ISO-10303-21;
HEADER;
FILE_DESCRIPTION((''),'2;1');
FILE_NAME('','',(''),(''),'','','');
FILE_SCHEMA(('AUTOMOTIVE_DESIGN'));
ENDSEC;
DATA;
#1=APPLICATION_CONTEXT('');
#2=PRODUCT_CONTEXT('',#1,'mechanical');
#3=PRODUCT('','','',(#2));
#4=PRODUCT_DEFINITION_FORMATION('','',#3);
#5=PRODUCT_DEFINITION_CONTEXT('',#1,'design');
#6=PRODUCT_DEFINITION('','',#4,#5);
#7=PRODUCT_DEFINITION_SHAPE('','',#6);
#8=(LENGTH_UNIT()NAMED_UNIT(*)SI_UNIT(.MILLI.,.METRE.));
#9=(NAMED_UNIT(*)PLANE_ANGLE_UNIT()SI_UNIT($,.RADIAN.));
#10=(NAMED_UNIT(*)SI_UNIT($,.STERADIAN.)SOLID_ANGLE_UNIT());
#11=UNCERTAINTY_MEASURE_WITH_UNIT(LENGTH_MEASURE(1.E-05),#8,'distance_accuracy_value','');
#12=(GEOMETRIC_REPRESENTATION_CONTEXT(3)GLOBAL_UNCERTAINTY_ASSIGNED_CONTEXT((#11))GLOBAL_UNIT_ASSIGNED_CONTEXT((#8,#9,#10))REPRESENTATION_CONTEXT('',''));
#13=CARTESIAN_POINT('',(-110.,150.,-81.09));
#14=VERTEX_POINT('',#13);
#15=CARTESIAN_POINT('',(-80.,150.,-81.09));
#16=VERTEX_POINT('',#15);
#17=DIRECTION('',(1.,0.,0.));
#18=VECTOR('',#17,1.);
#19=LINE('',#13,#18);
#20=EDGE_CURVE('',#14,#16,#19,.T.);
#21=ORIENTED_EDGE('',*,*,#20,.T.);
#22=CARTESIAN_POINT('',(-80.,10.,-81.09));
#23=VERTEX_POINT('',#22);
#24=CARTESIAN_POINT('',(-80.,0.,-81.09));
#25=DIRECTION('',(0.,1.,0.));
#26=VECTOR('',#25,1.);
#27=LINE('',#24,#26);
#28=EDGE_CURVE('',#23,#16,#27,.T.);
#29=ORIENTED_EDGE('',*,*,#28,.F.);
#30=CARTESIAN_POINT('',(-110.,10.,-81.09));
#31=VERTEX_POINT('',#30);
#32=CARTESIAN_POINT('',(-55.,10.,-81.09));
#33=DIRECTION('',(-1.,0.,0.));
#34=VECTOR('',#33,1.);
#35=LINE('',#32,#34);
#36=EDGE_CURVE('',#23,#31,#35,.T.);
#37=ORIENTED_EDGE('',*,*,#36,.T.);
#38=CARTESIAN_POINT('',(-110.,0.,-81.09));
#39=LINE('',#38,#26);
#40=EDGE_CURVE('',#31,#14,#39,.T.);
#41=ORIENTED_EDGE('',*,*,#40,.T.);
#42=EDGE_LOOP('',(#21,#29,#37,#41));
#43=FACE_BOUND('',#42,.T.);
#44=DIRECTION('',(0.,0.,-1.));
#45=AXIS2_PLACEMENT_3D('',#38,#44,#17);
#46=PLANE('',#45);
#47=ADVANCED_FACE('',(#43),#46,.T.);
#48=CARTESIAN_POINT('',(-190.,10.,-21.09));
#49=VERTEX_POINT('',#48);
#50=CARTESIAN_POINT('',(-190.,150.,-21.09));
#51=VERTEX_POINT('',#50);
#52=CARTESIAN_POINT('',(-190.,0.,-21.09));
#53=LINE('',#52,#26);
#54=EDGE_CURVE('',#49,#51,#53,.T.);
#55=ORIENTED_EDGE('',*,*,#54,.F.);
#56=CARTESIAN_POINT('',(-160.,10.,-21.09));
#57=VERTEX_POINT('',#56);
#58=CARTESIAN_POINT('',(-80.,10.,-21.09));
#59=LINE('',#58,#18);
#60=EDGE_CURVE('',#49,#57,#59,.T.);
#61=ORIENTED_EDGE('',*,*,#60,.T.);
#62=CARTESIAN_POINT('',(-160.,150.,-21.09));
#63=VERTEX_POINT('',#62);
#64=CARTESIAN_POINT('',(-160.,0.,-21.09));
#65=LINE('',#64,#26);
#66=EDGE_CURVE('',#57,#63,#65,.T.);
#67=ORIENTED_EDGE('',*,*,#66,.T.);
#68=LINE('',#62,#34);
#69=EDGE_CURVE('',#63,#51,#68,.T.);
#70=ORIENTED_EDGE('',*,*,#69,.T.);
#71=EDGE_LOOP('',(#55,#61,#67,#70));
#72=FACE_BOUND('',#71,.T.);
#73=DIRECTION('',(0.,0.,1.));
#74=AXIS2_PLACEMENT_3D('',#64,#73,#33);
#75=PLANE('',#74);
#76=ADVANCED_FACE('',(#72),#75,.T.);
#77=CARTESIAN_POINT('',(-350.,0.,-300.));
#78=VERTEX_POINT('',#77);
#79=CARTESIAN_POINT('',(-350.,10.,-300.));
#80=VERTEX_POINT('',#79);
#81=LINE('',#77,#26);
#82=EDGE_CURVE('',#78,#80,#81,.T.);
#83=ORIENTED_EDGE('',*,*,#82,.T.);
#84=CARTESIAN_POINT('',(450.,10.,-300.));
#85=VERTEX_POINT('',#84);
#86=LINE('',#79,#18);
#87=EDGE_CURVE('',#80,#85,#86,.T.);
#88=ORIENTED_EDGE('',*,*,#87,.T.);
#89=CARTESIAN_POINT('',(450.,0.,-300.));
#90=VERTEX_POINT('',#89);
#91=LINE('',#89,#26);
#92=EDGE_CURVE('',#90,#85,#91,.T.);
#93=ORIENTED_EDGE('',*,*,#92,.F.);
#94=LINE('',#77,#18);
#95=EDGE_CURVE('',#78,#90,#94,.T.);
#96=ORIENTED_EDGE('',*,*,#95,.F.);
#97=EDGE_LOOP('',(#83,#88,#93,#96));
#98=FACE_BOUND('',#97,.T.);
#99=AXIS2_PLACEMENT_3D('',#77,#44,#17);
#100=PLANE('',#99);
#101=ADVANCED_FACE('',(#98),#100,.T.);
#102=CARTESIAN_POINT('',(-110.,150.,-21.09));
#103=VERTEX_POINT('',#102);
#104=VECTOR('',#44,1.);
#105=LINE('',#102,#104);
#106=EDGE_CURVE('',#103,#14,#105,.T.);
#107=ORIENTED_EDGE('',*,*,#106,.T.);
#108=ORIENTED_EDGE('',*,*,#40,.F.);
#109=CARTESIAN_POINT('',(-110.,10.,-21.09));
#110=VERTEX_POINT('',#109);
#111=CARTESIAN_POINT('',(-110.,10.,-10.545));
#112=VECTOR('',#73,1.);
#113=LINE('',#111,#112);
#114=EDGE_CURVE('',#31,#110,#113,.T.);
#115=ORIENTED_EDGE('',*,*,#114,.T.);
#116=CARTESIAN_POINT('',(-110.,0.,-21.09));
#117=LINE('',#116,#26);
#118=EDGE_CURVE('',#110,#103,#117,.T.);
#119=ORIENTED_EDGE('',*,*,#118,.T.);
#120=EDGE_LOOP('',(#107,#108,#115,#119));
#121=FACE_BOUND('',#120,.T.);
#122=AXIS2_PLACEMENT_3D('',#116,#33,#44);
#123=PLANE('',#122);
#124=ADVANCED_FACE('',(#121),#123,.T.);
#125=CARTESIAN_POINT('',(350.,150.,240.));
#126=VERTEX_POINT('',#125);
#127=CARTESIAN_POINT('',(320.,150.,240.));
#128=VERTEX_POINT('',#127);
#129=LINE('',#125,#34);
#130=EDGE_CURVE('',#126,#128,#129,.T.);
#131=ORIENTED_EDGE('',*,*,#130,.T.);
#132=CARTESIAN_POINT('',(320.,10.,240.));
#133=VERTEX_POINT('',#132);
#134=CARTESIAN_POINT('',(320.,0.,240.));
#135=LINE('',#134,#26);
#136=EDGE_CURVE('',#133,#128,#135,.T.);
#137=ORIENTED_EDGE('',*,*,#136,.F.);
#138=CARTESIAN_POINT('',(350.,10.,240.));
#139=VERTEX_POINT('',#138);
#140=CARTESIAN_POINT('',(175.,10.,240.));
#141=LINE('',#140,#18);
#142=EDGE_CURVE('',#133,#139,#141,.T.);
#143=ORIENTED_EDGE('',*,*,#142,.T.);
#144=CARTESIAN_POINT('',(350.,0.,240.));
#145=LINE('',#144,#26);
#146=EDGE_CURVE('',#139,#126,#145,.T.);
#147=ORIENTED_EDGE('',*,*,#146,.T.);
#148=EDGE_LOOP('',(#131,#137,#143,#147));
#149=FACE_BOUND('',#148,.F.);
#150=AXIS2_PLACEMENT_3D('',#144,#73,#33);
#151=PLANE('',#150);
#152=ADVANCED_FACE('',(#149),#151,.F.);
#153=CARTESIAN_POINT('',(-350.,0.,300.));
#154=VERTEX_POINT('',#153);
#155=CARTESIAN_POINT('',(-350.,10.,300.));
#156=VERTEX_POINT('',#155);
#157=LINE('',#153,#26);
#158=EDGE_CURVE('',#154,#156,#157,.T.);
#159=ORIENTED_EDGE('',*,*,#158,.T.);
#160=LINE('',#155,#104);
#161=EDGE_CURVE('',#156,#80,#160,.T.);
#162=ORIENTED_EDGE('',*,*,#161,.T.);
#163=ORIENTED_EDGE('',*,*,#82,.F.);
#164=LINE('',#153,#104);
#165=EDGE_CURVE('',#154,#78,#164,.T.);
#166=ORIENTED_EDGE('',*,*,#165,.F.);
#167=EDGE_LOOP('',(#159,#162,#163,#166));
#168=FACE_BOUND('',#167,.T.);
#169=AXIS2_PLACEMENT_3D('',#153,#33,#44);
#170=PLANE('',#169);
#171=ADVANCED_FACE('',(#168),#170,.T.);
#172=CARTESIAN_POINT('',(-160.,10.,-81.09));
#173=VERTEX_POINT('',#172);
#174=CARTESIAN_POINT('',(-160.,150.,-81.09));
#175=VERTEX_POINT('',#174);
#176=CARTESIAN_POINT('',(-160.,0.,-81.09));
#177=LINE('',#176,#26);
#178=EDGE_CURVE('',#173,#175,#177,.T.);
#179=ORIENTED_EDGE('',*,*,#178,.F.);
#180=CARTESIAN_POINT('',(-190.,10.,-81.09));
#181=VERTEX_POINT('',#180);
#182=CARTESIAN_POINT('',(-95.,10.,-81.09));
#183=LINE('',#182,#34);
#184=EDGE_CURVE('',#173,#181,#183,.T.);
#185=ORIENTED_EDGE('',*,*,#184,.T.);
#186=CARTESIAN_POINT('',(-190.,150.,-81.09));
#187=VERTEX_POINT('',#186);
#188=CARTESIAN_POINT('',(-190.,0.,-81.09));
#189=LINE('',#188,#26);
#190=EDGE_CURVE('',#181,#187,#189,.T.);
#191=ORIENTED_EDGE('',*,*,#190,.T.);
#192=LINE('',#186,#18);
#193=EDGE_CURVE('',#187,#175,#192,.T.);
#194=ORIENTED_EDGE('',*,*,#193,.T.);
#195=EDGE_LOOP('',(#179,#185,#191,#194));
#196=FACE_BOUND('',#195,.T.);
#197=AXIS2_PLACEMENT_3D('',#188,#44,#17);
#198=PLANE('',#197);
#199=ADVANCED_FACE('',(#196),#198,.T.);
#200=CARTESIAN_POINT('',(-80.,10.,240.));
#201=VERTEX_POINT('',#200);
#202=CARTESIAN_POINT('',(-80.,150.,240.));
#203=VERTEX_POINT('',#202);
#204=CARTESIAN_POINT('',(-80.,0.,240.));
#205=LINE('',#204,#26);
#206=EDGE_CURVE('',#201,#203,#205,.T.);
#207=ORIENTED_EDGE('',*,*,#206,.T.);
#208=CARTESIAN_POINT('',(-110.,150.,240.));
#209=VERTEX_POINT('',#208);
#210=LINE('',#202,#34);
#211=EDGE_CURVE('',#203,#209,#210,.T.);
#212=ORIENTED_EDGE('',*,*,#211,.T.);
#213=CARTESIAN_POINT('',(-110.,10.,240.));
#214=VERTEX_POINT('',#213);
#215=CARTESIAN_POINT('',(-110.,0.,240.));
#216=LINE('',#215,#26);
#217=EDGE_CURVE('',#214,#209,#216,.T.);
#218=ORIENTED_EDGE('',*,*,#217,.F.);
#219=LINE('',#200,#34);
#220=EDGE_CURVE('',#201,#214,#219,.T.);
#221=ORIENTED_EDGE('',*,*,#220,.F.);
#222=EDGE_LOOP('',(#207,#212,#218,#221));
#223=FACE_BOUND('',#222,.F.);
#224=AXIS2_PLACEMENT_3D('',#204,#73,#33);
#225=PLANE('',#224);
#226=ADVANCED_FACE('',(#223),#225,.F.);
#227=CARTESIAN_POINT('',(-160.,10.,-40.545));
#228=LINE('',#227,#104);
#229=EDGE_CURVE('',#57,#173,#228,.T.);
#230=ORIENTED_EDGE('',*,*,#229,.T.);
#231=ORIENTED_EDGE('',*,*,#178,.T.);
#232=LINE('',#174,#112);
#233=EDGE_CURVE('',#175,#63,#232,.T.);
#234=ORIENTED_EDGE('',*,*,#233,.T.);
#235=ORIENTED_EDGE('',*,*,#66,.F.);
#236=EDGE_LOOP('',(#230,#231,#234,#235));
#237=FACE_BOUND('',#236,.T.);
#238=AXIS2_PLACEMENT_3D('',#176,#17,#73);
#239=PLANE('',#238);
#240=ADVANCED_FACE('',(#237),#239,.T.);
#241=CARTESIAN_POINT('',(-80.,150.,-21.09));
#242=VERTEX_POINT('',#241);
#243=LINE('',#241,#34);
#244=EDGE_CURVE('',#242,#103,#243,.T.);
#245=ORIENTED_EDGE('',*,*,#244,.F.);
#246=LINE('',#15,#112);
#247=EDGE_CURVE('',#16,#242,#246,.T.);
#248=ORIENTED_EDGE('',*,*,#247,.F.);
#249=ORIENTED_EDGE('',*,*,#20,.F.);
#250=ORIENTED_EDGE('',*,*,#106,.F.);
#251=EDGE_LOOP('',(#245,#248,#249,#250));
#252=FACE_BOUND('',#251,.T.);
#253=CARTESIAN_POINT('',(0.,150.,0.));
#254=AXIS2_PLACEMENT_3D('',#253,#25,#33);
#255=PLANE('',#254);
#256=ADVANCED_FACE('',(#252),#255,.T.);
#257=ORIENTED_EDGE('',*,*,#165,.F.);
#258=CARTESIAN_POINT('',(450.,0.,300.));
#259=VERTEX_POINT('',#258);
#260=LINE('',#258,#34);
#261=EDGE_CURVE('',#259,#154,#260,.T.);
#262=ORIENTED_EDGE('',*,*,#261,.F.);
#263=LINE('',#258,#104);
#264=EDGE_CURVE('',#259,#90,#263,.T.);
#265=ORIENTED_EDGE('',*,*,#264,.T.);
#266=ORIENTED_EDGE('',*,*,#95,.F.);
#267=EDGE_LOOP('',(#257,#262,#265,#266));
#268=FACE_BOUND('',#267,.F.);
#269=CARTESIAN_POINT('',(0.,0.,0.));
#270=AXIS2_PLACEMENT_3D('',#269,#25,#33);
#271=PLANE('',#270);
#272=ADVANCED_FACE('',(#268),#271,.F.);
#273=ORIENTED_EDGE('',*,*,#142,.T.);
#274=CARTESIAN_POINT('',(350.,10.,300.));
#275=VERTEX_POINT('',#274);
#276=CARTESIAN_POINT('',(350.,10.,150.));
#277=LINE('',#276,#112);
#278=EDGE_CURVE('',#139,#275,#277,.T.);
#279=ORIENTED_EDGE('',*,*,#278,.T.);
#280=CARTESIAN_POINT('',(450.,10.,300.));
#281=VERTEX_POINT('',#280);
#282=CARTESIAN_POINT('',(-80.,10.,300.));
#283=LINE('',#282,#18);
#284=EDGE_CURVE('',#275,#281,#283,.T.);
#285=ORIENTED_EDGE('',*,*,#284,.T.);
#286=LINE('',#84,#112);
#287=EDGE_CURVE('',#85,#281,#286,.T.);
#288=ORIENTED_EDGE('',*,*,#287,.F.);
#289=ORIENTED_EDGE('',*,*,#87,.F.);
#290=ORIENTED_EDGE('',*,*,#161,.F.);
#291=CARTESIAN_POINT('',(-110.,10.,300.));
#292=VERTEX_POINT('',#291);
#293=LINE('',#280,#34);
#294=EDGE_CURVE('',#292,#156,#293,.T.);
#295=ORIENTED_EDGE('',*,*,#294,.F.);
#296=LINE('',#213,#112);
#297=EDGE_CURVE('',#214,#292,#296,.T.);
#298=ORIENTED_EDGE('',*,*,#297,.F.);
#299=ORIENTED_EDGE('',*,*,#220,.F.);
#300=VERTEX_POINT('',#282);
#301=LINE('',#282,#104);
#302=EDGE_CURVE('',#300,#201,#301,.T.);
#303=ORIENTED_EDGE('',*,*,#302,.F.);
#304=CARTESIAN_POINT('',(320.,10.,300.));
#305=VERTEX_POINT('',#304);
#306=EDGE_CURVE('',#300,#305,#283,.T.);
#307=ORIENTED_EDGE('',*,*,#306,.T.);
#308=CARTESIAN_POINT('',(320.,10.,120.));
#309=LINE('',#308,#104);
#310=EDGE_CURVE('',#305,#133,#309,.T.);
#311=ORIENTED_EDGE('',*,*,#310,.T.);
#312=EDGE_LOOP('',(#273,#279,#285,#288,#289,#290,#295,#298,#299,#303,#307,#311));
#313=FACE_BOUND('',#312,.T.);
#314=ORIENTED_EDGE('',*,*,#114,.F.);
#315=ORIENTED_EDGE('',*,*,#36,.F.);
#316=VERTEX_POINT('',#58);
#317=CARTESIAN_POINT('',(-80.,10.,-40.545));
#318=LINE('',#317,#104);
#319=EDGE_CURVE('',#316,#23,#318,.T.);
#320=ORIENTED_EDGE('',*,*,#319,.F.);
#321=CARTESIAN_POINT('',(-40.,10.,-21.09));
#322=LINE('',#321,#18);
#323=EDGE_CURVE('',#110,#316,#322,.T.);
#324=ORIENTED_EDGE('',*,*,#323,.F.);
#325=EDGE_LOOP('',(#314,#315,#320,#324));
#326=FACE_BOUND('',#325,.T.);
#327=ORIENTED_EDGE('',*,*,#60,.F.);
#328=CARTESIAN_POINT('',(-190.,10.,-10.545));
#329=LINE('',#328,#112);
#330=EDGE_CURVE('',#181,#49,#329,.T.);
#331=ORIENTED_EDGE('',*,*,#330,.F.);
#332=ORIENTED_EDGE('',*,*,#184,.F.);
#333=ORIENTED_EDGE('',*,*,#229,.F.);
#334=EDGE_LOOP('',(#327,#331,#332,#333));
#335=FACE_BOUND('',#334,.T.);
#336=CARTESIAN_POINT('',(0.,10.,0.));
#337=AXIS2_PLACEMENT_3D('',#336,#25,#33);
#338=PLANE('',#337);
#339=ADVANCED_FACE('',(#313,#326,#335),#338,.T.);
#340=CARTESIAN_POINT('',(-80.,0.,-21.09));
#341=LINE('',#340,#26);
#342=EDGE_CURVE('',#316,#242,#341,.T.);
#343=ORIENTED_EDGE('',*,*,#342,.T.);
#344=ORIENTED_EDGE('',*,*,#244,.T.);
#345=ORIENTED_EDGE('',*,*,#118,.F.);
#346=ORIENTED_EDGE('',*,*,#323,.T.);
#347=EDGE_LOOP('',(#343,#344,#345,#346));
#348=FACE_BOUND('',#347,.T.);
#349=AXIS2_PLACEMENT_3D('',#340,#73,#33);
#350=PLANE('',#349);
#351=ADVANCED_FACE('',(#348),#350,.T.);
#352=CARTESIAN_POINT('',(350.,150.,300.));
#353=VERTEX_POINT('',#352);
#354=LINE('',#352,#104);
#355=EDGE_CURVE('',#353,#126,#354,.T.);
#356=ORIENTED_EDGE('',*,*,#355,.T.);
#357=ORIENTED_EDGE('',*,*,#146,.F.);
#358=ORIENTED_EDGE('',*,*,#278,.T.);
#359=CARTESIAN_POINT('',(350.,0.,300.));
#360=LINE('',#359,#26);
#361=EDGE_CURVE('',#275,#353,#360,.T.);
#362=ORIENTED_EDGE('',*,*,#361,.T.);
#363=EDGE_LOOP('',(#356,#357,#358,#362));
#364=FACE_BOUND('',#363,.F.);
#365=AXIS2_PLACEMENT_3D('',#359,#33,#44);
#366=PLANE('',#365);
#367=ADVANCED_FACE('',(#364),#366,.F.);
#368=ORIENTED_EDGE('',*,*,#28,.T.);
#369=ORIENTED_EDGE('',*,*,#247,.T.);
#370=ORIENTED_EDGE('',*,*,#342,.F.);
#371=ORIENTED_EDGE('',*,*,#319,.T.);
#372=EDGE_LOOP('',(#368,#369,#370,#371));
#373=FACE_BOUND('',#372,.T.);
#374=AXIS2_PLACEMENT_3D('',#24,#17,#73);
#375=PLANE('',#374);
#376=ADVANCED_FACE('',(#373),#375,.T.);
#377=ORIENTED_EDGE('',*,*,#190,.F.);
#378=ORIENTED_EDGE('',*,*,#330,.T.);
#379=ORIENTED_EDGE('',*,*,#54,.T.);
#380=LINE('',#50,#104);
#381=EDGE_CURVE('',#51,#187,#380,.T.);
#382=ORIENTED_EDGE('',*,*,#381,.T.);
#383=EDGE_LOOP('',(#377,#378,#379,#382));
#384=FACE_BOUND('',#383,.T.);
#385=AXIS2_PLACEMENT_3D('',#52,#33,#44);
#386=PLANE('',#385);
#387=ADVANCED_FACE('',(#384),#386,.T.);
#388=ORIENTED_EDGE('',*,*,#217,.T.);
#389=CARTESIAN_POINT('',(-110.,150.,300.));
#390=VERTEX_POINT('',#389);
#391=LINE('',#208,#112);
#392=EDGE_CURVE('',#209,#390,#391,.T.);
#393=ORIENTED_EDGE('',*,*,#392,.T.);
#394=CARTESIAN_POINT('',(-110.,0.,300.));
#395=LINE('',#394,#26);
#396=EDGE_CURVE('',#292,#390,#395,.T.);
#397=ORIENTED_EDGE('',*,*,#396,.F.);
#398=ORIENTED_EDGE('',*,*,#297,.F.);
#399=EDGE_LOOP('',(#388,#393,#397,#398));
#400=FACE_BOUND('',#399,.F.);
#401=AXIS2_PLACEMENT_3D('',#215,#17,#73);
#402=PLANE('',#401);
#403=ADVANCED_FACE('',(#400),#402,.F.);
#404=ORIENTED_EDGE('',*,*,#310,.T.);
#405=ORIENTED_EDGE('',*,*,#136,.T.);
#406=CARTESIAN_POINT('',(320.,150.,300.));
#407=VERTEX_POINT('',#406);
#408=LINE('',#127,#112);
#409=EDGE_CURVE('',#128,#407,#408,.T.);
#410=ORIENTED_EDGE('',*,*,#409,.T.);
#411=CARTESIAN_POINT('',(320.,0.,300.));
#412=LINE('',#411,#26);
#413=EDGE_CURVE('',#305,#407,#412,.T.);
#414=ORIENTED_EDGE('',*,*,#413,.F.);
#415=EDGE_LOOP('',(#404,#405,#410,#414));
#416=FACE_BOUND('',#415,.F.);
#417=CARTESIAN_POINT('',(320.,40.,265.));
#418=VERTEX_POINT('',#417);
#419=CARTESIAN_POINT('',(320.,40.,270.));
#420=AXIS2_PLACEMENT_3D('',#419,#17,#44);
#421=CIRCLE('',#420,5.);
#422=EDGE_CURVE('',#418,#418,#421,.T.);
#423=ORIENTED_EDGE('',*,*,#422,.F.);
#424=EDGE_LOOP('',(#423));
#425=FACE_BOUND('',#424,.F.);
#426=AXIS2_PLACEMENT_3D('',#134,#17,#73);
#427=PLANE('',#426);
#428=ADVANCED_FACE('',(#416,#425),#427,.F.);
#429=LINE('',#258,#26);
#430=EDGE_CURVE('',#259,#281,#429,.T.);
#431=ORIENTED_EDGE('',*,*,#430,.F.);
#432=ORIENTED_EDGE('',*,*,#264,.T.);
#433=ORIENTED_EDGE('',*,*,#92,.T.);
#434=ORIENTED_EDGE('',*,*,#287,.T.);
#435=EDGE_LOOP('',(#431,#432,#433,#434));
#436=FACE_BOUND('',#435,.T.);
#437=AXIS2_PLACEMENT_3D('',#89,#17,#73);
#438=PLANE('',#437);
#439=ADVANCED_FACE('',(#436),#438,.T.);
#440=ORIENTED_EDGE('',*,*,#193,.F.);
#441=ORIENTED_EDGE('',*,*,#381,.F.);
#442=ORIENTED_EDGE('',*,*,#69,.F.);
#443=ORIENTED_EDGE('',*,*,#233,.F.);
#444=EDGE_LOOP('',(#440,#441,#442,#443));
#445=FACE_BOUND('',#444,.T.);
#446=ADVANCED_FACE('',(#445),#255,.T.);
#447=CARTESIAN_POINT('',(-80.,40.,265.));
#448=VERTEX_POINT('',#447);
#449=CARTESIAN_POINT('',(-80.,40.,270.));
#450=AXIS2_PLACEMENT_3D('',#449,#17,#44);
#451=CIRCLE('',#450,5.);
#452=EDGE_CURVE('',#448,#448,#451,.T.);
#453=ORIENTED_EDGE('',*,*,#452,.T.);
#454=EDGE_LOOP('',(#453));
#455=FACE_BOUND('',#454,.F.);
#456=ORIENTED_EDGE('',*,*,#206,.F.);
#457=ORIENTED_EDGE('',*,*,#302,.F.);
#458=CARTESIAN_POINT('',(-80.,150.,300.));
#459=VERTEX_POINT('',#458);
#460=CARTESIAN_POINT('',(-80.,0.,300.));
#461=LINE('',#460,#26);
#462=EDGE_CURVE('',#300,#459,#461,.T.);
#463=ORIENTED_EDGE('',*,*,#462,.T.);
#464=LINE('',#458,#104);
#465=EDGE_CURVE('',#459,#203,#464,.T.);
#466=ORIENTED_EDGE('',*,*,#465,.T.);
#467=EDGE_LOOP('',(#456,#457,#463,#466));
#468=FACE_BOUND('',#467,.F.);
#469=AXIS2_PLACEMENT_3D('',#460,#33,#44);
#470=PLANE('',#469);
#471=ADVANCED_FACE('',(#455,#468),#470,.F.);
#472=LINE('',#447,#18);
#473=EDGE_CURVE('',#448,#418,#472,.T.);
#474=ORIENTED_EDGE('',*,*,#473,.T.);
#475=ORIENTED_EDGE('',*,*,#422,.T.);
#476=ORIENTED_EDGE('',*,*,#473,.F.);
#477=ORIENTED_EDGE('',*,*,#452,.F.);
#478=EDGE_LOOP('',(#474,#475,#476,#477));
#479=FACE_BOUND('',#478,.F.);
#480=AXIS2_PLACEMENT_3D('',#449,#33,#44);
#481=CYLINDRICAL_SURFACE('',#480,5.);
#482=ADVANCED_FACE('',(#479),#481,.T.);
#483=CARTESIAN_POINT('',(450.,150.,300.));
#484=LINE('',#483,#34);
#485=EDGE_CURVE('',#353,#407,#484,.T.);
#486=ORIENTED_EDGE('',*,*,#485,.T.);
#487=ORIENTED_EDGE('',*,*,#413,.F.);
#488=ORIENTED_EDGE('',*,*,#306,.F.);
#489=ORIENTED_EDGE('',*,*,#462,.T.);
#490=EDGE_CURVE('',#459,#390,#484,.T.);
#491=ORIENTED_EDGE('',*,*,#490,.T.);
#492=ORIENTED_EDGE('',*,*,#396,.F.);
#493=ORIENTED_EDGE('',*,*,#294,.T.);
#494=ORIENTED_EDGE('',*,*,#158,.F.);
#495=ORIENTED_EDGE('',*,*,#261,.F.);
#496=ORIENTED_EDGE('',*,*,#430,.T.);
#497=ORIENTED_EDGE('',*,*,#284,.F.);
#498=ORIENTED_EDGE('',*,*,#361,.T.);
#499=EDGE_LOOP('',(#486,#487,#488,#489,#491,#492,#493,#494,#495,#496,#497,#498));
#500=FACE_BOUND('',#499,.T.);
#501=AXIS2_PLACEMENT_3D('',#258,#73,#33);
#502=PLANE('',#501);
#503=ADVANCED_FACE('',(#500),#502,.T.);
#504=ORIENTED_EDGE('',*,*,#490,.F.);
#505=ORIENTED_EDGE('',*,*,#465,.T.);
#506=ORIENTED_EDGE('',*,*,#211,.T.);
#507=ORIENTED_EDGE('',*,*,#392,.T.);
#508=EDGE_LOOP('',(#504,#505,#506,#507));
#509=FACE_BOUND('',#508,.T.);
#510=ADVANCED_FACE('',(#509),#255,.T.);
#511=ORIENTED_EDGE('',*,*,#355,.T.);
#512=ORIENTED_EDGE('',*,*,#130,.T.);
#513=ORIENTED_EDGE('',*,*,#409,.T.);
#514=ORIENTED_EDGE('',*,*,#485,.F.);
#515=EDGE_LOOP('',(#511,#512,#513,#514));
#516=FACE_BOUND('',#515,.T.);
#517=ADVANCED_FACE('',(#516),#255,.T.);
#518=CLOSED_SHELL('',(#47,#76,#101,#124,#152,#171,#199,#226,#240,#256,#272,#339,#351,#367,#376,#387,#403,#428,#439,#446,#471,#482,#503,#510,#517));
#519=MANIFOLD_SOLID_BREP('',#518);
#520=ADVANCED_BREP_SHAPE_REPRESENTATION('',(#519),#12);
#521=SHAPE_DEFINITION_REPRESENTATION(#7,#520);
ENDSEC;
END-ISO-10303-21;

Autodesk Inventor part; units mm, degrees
ref_plane "YZ Plane" through (0, 0, 0) normal (1, 0, 0) x (0, 1, 0)
ref_plane "XZ Plane" through (0, 0, 0) normal (0, 1, 0) x (-1, 0, 0)
ref_plane "XY Plane" through (0, 0, 0) normal (0, 0, 1) x (1, 0, 0)
sketch "Sketch1" plane through (0, 0, 0) normal (0, 1, 0) x (-1, 0, 0)
  line L0 (350, -300) -> (-450, -300)
  line L1 (-450, -300) -> (-450, 300)
  line L2 (-450, 300) -> (350, 300)
  line L3 (350, 300) -> (350, -300)
  line L4 (-450, 240) -> (-450, 300)
  line L5 (110, 300) -> (80, 300)
  line L6 (80, 300) -> (80, 240)
  line L7 (80, 240) -> (110, 240)
  line L8 (110, 240) -> (110, 300)
  line L9 (110, -81.09) -> (80, -81.09)
  line L10 (80, -81.09) -> (80, -21.09)
  line L11 (80, -21.09) -> (110, -21.09)
  line L12 (110, -21.09) -> (110, -81.09)
  line L13 (-320, 300) -> (-350, 300)
  line L14 (-350, 300) -> (-350, 240)
  line L15 (-350, 240) -> (-320, 240)
  line L16 (-320, 240) -> (-320, 300)
  line L17 (190, -81.09) -> (160, -81.09)
  line L18 (160, -81.09) -> (160, -21.09)
  line L19 (160, -21.09) -> (190, -21.09)
  line L20 (190, -21.09) -> (190, -81.09)
  point P0 (-50, 300)
  point P1 (350, 0)
  point P2 (95, 240)
  point P3 (80, 300)
  point P4 (110, -51.09)
  point P5 (110, 270)
  point P6 (-350, 300)
  point P7 (80, 270)
  point P8 (190, -51.09)
  dimension "d0" = 600
  dimension "d1" = 800
  dimension "d22" = 60
  dimension "d23" = 30
  dimension "d27" = 321.09
  dimension "d28" = 30
  dimension "d31" = 400
  dimension "d32" = 60
  dimension "d33" = 30
  dimension "d38" = 50
extrude "Extrusion1" add sketch "Sketch1" along normal blind 10 contours L0 L1 L2 L14 L15 L16 L6 L7 L8 L3 | L2 L16 L15 L14 | L9 L10 L11 L12 | L17 L18 L19 L20
extrude "Extrusion6" add sketch "Sketch1" along normal blind 150 contours L9 L10 L11 L12
extrude "Extrusion7" add sketch "Sketch1" along normal blind 150 contours L8 L7 L6 L2 | L2 L16 L15 L14
extrude "Extrusion8" add sketch "Sketch1" along normal blind 150 contours L17 L18 L19 L20
sketch "Sketch5" plane through (-80, 10, 240) normal (1, 0, 0) x (0, 0, -1)
  circle A0 centre (-30, 30) radius 5
  line L0 (-60, 0) -> (-60, 140) projected
  line L1 (-60, 0) -> (0, 0) projected
  point P0 (240, -10)
  dimension "d41" = 10
  dimension "d42" = 30
  dimension "d43" = 30
extrude "Extrusion9" add sketch "Sketch5" along normal up to surface (400 mm away)
equation "\"d22\" = d3"
equation "\"d23\" = d2"
equation "\"d28\" = d23"
equation "\"d32\" = d34"
equation "\"d33\" = d35"
equation "\"d3\" = 60"
equation "\"d2\" = 30"
equation "\"d34\" = 60"
equation "\"d35\" = 30"
properties part number "base"
